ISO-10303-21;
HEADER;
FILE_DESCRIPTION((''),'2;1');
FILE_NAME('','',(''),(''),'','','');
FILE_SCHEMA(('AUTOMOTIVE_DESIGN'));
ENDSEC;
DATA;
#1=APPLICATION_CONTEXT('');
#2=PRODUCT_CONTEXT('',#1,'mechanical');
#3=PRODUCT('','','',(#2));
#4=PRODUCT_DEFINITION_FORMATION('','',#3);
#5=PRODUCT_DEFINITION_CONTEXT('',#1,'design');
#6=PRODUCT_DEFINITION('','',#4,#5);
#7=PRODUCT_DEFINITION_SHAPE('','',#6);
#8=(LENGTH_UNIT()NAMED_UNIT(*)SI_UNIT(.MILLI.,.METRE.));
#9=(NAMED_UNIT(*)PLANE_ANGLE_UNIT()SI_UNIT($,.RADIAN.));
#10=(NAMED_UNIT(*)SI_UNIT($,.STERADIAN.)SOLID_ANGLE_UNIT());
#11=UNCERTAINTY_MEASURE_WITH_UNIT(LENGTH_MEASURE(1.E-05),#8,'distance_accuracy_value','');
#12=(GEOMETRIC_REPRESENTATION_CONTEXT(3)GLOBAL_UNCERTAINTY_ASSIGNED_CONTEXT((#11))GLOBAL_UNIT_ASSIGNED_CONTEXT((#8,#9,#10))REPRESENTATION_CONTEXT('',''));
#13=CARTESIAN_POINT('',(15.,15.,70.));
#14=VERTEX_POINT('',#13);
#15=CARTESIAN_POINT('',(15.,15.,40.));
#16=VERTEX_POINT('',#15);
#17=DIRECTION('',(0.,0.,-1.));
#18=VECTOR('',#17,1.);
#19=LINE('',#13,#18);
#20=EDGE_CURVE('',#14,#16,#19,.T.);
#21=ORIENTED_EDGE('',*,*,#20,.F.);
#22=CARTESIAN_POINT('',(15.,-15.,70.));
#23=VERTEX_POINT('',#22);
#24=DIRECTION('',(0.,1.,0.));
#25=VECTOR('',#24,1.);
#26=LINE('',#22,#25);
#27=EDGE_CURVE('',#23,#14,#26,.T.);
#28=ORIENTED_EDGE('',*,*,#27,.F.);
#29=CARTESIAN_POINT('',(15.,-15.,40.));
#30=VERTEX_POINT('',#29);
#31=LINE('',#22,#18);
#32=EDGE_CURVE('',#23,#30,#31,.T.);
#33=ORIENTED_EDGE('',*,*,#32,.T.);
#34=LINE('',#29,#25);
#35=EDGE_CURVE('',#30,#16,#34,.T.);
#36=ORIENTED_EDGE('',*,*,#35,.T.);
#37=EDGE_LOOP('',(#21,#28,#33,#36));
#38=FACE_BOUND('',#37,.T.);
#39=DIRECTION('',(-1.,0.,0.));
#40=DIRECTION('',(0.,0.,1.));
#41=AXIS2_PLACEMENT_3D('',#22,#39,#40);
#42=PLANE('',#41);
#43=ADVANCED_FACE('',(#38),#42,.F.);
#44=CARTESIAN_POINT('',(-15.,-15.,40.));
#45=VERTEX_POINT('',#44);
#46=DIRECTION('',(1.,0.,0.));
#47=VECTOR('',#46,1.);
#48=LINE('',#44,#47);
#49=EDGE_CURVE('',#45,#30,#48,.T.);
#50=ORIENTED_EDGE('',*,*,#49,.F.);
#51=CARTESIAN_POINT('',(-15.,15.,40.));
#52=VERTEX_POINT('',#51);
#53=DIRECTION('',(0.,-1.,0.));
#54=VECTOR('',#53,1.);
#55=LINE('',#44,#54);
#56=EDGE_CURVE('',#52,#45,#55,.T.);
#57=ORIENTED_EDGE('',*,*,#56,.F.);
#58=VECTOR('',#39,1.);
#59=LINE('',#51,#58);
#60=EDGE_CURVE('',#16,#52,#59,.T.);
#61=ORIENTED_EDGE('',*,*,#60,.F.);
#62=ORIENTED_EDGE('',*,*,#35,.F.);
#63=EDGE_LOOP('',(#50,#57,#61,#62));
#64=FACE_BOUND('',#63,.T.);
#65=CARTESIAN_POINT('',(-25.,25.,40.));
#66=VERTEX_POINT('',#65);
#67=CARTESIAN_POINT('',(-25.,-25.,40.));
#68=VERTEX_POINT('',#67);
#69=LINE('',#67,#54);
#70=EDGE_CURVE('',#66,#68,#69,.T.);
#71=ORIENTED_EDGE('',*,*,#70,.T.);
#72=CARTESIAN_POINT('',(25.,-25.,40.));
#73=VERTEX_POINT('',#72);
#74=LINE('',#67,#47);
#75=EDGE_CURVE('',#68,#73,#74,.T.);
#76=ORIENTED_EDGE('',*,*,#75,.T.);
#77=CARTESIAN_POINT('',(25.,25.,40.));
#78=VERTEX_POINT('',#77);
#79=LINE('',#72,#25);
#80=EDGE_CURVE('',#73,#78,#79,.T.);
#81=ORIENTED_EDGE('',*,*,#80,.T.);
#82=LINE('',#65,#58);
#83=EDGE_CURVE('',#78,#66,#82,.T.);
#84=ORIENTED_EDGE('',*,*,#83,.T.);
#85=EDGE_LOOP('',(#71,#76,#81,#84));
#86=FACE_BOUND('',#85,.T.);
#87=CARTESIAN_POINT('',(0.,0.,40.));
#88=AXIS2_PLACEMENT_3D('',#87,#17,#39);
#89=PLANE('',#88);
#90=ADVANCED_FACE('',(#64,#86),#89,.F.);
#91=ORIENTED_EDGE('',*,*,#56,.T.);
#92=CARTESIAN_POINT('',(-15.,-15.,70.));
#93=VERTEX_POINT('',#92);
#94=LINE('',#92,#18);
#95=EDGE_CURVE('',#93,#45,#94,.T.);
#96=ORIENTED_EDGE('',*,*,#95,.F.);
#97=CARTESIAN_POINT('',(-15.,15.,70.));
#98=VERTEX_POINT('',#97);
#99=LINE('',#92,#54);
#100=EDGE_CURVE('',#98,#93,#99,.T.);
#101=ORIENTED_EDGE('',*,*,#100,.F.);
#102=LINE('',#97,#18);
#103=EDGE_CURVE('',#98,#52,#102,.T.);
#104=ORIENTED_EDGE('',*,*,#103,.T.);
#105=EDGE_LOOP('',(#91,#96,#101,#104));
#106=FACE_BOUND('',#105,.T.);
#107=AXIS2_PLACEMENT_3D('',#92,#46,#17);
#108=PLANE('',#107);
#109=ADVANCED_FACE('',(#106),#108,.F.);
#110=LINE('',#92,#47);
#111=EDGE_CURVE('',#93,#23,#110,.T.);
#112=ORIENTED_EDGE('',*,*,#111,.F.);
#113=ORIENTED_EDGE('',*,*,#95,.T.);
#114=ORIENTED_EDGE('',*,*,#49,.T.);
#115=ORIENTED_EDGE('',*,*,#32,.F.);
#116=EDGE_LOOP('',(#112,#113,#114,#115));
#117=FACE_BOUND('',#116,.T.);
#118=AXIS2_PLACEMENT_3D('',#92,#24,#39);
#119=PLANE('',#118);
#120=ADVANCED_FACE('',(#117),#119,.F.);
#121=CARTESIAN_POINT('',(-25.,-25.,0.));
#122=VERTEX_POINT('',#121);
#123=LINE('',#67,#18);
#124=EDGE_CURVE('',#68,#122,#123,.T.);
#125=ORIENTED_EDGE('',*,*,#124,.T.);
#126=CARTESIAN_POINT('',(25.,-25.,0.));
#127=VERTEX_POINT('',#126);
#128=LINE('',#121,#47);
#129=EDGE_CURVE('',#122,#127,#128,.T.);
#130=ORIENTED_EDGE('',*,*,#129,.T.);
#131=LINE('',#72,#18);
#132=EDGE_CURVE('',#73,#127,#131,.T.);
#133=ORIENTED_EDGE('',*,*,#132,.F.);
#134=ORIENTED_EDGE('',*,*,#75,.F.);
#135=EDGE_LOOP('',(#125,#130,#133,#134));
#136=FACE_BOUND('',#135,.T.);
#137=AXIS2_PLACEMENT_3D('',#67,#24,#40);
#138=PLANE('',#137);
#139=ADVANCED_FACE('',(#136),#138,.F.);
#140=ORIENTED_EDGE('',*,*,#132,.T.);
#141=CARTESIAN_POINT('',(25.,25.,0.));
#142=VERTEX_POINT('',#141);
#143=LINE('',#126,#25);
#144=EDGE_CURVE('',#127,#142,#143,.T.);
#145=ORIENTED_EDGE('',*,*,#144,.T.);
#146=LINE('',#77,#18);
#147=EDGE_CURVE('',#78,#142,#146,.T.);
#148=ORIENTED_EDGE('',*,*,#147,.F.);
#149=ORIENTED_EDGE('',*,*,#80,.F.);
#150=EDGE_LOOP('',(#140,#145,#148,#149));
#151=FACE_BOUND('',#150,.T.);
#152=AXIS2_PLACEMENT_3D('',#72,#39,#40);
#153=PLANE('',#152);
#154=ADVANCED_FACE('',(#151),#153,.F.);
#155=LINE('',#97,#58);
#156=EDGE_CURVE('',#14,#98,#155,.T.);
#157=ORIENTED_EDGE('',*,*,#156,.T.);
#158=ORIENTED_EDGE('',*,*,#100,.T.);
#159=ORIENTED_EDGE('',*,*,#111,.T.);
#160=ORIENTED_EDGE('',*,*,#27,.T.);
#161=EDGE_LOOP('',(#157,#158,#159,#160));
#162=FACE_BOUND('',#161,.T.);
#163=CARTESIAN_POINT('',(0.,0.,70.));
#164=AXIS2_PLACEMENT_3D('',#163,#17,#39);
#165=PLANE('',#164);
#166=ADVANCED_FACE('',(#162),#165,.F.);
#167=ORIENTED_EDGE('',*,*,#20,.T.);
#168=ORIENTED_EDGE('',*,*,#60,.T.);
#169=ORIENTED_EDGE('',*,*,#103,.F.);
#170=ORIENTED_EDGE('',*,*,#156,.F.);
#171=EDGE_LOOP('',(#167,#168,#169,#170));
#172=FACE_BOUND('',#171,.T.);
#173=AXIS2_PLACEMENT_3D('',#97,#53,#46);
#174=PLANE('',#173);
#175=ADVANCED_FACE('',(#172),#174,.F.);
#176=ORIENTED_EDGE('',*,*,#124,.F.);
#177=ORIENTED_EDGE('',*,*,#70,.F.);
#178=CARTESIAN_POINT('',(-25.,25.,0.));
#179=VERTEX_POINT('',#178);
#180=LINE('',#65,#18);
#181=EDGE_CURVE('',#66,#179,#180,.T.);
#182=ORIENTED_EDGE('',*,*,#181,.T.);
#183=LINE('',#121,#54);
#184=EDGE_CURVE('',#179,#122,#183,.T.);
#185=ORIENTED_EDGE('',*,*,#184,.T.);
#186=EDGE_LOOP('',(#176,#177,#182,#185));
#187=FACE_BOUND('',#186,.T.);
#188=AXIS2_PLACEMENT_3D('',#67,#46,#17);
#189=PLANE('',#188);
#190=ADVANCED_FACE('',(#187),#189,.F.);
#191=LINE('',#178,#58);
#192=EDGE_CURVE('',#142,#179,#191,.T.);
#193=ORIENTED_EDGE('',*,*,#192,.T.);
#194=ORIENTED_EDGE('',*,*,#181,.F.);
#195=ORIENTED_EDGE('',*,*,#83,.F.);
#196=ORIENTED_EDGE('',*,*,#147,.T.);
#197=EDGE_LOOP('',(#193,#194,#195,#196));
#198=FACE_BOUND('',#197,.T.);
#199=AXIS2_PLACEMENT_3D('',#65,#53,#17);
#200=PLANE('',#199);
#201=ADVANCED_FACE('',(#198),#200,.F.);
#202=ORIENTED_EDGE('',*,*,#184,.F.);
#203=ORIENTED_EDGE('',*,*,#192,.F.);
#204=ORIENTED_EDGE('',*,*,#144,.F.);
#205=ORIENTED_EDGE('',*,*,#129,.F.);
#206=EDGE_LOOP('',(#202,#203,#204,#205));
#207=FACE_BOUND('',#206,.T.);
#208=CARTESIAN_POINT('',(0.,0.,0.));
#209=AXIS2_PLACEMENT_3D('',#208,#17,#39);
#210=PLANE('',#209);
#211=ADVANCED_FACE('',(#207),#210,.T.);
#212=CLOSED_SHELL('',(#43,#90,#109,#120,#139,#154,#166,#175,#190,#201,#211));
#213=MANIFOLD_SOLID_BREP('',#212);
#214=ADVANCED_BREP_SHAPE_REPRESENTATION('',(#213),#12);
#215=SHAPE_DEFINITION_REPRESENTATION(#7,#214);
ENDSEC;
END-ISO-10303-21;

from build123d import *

# Parameters (mm, degrees)
SKETCH_1_W      = 50
SKETCH_1_H      = 50
EXTRUDE_1_DEPTH = 40
SKETCH_2_W      = 30
SKETCH_2_H      = 30
EXTRUDE_2_DEPTH = 30


with BuildPart() as part:
    # 草图1 → 凸台-拉伸1 (new body)
    with BuildSketch(Plane.XY):
        Rectangle(SKETCH_1_W, SKETCH_1_H)
    extrude(amount=EXTRUDE_1_DEPTH)

    # 草图2 → 凸台-拉伸2 (add)
    with BuildSketch(Plane.XY.offset(40)):
        Rectangle(SKETCH_2_W, SKETCH_2_H)
    extrude(amount=EXTRUDE_2_DEPTH)


solid = part.part
